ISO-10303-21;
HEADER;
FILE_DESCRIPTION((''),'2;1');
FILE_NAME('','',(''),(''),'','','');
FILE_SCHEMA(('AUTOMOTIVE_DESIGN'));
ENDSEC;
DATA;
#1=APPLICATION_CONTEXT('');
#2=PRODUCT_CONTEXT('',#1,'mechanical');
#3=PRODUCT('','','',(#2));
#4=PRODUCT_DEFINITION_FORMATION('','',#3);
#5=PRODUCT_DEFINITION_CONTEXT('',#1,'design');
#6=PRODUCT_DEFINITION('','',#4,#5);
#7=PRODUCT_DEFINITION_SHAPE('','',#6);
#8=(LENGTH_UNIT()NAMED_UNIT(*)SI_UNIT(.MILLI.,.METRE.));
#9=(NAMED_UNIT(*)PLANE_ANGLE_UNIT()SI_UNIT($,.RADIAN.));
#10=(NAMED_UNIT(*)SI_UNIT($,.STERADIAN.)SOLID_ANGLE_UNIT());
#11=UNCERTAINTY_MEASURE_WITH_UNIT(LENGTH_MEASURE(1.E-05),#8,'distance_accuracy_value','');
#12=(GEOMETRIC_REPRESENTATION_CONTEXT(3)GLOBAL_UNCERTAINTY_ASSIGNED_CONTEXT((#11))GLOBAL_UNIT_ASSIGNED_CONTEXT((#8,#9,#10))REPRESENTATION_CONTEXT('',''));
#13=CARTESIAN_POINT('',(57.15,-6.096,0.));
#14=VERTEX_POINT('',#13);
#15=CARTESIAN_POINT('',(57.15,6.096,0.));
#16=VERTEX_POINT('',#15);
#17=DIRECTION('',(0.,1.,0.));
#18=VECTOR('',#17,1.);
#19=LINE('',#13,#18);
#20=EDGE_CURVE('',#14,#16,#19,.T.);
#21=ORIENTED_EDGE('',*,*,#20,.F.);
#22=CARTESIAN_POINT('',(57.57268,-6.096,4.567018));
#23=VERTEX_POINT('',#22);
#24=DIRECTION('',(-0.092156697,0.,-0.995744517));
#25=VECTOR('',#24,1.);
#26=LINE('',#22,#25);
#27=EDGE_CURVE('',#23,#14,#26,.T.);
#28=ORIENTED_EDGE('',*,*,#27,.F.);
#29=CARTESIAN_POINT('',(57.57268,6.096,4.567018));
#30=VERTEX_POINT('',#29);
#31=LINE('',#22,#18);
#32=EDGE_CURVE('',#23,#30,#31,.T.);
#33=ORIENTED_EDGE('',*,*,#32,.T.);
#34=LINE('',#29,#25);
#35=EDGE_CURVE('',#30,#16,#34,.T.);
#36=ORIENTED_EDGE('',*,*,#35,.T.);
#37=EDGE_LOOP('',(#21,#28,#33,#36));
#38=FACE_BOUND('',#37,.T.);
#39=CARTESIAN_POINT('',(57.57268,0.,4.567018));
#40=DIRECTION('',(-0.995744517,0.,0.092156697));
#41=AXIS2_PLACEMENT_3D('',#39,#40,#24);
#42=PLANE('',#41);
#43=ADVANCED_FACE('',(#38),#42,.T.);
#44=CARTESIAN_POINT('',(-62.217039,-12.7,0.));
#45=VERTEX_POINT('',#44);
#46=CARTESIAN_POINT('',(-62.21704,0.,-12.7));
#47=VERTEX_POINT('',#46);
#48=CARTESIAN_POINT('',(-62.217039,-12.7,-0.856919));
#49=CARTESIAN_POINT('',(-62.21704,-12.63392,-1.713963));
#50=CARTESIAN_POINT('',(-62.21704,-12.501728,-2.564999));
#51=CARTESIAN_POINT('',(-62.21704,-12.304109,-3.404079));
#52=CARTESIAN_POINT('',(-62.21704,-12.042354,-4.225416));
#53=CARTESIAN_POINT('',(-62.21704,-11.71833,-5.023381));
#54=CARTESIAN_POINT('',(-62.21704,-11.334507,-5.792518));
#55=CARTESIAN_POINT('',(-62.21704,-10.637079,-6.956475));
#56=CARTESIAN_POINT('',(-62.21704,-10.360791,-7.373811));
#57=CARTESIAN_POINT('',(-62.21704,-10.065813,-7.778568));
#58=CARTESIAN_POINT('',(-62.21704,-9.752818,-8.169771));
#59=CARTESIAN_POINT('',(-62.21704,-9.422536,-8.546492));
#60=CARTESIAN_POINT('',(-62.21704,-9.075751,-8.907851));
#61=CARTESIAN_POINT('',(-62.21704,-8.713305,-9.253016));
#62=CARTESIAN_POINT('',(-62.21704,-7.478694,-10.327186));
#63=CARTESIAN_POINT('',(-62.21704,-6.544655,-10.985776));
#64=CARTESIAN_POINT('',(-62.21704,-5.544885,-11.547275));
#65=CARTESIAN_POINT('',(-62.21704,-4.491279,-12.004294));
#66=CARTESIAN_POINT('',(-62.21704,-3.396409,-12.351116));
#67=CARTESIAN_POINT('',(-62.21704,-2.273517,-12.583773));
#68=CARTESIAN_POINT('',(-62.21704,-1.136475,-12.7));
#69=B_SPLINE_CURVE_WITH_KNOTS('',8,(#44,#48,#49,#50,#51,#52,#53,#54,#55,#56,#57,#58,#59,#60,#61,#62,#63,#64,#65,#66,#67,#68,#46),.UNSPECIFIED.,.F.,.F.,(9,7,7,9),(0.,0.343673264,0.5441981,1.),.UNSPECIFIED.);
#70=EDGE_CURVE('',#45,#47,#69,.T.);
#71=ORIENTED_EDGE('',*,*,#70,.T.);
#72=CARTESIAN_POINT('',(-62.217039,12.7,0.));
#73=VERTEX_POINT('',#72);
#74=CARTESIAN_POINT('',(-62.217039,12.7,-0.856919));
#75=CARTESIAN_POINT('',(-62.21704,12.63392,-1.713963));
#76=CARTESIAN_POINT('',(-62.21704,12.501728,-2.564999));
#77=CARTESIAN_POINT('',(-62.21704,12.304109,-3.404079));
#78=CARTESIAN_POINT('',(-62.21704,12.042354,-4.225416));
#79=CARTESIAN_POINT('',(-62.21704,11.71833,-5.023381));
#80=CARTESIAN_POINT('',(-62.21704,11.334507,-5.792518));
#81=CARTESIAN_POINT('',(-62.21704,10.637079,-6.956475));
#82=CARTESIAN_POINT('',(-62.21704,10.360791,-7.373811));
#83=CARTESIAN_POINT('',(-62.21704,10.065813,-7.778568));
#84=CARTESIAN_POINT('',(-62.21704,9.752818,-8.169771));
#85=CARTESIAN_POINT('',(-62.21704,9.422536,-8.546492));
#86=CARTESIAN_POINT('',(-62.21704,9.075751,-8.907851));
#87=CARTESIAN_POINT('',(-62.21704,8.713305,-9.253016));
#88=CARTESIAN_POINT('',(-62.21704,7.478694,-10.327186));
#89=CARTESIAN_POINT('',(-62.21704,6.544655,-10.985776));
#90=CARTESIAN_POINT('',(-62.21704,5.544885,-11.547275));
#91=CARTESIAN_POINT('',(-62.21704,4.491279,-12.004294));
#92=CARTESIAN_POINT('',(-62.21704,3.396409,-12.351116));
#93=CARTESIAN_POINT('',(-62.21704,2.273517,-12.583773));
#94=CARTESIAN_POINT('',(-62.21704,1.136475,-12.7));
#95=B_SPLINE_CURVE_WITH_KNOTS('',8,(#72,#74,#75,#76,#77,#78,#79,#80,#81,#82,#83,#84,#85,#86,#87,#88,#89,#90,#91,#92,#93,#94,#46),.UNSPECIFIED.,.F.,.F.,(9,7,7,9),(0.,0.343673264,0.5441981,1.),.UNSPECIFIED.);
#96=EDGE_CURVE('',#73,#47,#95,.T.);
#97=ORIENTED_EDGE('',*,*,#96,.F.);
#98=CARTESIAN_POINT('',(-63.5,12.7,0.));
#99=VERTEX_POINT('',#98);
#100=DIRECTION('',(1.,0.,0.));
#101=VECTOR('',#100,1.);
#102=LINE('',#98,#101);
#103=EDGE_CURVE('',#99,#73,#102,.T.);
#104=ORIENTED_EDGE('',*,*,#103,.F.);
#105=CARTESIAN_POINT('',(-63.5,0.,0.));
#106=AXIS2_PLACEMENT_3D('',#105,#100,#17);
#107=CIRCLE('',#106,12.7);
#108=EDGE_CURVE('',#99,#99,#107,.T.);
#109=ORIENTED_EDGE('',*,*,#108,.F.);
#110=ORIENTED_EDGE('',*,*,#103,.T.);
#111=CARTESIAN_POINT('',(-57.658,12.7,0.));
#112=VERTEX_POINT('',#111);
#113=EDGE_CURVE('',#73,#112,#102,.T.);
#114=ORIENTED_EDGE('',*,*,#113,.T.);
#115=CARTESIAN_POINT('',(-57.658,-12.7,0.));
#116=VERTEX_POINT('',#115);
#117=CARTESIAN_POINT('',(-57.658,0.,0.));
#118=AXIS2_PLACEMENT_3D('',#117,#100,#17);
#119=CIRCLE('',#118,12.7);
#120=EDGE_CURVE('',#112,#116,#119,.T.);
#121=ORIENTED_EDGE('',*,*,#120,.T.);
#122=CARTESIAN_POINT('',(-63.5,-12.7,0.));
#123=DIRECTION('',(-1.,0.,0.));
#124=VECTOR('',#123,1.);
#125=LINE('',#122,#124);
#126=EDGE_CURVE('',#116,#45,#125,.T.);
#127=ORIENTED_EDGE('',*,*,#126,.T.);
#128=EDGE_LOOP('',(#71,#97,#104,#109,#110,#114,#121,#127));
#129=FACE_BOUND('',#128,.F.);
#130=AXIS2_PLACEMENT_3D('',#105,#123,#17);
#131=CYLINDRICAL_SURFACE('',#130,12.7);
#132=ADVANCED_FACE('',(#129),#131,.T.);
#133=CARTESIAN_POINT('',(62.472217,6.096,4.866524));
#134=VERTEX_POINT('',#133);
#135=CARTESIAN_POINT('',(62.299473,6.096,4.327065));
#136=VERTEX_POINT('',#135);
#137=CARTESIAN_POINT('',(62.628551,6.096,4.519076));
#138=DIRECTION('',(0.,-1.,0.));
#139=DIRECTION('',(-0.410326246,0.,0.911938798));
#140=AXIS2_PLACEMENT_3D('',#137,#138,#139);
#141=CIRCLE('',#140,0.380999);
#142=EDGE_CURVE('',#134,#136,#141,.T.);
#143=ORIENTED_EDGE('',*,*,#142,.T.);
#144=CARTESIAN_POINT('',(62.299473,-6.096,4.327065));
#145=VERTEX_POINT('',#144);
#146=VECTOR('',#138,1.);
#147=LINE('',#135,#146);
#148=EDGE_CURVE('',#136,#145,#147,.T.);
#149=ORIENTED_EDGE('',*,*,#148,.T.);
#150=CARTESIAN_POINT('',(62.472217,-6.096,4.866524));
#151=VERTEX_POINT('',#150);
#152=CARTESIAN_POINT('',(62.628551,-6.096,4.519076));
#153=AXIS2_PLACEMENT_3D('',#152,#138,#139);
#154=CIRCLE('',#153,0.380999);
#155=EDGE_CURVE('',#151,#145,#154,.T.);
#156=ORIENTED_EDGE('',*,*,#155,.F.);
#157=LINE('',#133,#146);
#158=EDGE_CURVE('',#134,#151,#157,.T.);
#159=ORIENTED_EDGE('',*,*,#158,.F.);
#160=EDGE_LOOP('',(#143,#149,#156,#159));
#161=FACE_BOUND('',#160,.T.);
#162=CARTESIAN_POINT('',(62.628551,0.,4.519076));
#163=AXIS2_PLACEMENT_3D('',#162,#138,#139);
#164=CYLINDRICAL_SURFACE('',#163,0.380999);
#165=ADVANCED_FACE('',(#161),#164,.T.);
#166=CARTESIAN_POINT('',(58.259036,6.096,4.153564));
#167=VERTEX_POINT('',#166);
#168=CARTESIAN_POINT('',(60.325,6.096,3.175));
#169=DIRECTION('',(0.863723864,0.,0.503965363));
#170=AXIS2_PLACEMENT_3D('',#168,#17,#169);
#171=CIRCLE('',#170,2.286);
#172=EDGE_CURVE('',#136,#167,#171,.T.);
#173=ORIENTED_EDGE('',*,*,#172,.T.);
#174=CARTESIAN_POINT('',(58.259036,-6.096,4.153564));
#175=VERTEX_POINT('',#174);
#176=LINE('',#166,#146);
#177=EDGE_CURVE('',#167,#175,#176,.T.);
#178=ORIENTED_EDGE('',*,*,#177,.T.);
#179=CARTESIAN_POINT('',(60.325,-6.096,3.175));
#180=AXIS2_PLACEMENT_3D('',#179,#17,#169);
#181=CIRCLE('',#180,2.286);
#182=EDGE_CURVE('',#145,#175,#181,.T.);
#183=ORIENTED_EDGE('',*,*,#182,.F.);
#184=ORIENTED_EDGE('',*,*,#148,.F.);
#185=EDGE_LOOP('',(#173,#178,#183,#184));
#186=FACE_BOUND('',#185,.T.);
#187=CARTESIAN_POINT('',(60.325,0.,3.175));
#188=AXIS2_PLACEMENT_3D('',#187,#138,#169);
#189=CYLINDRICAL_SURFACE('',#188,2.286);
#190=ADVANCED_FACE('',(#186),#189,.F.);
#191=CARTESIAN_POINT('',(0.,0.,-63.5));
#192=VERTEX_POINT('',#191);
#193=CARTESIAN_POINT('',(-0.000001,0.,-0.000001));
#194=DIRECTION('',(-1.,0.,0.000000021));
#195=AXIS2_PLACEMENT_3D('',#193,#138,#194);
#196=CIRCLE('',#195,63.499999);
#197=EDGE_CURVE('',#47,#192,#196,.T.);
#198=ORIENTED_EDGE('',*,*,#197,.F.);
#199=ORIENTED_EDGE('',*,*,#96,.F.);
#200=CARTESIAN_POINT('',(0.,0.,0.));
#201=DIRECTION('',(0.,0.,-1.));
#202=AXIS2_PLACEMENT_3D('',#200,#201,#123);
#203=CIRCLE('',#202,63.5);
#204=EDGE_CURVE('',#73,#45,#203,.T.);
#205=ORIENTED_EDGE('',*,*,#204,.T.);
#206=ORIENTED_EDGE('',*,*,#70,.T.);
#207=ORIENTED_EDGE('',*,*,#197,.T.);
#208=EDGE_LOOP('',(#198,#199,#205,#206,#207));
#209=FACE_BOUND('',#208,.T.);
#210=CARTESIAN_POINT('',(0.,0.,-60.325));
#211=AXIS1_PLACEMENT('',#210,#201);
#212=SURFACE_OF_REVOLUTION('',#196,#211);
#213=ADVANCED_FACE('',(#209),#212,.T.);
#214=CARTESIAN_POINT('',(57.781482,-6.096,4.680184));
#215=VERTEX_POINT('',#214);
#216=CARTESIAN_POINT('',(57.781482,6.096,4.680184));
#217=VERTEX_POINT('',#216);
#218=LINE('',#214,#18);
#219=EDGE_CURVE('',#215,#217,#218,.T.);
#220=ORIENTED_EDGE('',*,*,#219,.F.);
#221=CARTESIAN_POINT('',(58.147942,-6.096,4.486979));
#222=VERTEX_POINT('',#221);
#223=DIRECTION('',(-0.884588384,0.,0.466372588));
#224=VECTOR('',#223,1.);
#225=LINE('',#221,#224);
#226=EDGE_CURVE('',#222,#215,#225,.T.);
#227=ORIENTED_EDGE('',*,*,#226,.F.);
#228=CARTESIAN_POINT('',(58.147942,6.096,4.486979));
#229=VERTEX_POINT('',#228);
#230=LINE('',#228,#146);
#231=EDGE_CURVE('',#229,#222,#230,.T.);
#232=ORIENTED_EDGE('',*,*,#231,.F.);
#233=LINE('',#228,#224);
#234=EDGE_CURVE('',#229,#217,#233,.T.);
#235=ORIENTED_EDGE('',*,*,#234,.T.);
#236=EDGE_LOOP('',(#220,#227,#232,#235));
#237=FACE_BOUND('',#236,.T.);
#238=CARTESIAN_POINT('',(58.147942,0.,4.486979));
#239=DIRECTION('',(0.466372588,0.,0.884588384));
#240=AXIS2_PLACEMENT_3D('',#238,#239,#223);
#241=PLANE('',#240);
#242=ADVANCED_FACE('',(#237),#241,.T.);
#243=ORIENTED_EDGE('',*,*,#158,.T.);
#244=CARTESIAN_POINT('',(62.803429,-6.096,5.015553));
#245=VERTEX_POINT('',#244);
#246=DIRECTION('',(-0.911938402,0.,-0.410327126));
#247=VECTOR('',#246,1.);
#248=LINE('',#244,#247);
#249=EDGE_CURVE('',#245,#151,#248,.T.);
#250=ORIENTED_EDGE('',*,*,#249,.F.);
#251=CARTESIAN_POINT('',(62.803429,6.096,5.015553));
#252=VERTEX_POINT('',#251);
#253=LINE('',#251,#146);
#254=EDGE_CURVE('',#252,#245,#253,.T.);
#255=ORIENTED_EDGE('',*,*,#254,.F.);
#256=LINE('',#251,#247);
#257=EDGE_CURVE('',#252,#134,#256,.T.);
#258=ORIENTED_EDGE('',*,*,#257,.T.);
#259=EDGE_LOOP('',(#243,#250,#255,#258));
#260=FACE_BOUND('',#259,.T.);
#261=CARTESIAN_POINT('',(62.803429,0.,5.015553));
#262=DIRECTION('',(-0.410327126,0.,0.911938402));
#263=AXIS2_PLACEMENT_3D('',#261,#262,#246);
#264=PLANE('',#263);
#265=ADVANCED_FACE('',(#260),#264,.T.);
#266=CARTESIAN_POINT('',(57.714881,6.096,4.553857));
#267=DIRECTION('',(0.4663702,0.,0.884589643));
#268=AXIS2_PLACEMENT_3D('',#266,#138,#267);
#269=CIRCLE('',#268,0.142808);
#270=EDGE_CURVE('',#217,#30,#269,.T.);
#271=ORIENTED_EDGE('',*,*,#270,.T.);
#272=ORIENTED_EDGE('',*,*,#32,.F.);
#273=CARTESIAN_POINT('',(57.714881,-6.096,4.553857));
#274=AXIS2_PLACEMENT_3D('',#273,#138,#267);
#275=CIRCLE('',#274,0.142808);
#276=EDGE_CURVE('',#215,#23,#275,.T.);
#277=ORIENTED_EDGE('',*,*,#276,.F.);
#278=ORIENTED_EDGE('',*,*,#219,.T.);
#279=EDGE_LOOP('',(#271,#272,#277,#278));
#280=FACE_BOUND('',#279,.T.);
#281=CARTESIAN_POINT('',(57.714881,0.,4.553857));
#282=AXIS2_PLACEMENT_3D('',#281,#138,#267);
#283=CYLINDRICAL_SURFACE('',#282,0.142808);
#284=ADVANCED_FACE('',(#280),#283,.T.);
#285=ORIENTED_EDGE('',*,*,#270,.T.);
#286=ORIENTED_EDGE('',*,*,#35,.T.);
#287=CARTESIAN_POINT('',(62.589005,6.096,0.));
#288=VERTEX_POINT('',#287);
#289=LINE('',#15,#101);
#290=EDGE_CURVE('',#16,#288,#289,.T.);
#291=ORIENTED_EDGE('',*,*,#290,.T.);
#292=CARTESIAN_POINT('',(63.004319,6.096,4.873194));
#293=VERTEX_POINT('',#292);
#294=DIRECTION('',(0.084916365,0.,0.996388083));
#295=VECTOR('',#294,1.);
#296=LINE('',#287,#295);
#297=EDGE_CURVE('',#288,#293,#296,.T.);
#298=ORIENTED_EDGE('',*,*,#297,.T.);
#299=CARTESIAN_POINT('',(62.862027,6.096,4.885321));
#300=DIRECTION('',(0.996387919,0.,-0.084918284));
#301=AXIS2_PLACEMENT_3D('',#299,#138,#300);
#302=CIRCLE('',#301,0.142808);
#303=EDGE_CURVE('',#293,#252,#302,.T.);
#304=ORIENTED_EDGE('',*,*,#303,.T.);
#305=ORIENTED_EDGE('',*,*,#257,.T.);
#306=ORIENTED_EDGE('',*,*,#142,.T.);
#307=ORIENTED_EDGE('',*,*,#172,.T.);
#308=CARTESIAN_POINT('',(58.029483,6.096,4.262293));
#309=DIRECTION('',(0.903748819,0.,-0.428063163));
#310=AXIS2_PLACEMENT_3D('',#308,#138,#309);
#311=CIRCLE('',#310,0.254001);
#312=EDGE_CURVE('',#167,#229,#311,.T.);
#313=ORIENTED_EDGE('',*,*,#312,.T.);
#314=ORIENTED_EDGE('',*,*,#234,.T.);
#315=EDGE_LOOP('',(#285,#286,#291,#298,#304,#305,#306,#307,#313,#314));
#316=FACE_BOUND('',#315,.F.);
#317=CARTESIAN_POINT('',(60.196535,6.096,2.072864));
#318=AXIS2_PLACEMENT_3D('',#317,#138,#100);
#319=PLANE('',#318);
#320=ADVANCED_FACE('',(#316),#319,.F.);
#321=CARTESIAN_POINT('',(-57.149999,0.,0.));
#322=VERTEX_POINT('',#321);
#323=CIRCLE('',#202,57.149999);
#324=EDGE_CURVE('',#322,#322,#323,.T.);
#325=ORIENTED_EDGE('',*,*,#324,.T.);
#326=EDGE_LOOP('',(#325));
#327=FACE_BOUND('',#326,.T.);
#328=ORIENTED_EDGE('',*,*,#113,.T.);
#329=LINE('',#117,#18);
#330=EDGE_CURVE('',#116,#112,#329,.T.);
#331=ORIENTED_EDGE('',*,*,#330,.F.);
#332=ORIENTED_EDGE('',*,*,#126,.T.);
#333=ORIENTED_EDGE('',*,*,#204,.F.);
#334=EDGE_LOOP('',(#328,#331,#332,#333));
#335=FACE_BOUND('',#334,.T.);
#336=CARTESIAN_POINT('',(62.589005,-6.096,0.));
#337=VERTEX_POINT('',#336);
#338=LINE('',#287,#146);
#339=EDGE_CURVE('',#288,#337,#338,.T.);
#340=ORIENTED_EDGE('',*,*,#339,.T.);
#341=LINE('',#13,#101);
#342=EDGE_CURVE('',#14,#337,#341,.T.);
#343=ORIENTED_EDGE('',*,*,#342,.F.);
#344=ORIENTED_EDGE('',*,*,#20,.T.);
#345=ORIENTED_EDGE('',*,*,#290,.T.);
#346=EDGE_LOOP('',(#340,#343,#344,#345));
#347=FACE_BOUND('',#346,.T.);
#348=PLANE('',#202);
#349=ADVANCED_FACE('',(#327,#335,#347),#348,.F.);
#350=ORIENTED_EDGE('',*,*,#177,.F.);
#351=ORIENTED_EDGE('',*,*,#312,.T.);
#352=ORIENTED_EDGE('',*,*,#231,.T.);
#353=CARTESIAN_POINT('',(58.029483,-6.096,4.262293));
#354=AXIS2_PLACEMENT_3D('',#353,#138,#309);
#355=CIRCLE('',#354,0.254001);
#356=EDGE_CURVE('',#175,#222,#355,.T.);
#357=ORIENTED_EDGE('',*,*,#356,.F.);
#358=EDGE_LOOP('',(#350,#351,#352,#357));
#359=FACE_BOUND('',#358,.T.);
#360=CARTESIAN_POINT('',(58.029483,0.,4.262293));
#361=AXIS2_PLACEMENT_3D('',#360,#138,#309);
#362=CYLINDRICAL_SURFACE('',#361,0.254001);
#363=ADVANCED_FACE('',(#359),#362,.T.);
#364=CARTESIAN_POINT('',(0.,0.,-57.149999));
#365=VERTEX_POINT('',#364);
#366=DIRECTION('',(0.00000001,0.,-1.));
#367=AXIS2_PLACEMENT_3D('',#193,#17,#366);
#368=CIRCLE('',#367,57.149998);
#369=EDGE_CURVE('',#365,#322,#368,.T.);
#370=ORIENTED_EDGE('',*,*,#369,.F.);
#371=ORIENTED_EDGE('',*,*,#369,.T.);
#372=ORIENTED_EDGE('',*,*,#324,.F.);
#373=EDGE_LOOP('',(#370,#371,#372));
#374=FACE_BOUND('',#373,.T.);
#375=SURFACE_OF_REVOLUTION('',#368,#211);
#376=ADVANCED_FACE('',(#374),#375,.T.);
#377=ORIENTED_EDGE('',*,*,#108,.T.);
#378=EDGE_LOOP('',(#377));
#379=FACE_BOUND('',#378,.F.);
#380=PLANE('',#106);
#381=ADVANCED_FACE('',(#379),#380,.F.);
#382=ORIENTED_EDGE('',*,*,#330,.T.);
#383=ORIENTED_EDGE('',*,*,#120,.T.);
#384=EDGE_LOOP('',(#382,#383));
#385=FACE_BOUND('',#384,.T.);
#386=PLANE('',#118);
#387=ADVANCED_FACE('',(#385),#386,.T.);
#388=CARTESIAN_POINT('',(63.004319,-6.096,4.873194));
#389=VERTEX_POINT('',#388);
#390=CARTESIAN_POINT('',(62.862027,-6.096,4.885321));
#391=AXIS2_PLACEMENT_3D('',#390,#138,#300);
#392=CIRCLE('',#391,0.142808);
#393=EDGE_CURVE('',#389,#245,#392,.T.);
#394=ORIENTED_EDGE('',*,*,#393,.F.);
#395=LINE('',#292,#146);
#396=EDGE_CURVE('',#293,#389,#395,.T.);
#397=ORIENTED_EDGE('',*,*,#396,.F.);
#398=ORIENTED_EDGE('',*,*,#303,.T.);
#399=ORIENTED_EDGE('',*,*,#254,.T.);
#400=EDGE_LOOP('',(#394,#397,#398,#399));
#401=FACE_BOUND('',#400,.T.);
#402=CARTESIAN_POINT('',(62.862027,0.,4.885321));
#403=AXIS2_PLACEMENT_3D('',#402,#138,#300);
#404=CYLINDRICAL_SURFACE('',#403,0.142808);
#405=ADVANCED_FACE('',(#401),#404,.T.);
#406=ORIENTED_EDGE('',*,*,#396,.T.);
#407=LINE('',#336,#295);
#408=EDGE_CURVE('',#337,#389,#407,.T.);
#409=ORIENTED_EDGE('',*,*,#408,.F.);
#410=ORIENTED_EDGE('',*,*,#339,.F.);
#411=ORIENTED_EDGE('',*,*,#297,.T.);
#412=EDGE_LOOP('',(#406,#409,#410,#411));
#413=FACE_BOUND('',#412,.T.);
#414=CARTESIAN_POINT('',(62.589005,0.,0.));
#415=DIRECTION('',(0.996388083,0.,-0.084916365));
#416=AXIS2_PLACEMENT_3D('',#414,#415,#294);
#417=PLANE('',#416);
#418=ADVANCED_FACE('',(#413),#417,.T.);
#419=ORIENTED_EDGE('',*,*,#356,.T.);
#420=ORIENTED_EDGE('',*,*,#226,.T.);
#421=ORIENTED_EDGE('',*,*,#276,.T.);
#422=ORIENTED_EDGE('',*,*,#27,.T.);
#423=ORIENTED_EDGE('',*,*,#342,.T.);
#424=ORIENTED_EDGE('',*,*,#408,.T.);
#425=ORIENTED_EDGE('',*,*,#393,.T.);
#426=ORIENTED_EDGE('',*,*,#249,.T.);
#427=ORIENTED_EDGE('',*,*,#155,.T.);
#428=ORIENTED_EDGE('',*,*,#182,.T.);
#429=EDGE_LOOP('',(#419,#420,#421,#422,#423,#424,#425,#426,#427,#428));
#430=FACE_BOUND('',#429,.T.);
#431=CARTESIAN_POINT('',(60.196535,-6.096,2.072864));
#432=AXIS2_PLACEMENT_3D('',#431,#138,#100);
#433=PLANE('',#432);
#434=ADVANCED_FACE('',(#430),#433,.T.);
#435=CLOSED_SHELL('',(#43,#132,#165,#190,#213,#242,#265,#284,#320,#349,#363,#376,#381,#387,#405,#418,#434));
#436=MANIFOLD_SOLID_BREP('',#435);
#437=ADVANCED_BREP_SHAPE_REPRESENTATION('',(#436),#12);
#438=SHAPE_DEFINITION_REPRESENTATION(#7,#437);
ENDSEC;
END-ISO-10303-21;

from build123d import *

# Parameters (mm, degrees)
F3_DEPTH = 6.096
F5_R     = 12.7
F6_DEPTH = 5.842


with BuildPart() as f1:
    # F0 (on Front) → F1 (revolve)
    with BuildSketch(Plane.XZ):
        with BuildLine():
            Line((-57.149999, 0), (-63.5, 0))
            ThreePointArc((-63.5, 0), (-44.901281, -44.901281), (0, -63.5))
            Line((0, -63.5), (0, -57.149999))
            ThreePointArc((0, -57.149999), (-40.411152, -40.411152), (-57.149999, 0))
        make_face()
    revolve(axis=Axis((0, 0, -60.325), (0, 0, -1)))

    # F2 (on Front) → F3 (join, symmetric)
    with BuildSketch(Plane.XZ):
        with BuildLine():
            Line((57.15, 0), (62.589005, 0))
            Line((62.589005, 0), (63.004319, 4.873194))
            ThreePointArc((63.004319, 4.873194), (62.944596, 5.001839), (62.803429, 5.015553))
            Line((62.803429, 5.015553), (62.472217, 4.866524))
            ThreePointArc((62.472217, 4.866524), (62.265701, 4.635267), (62.299473, 4.327065))
            ThreePointArc((62.299473, 4.327065), (60.423073, 0.891105), (58.259036, 4.153564))
            ThreePointArc((58.259036, 4.153564), (58.270459, 4.342586), (58.147942, 4.486979))
            Line((58.147942, 4.486979), (57.781482, 4.680184))
            ThreePointArc((57.781482, 4.680184), (57.646833, 4.679411), (57.57268, 4.567018))
            Line((57.57268, 4.567018), (57.15, 0))
        make_face()
    extrude(amount=F3_DEPTH, both=True)

    # F5 (on offset) → F6 (join)
    with BuildSketch(Plane.YZ.offset(-63.5)):
        Circle(F5_R)
    extrude(amount=F6_DEPTH)


solid = f1.part
